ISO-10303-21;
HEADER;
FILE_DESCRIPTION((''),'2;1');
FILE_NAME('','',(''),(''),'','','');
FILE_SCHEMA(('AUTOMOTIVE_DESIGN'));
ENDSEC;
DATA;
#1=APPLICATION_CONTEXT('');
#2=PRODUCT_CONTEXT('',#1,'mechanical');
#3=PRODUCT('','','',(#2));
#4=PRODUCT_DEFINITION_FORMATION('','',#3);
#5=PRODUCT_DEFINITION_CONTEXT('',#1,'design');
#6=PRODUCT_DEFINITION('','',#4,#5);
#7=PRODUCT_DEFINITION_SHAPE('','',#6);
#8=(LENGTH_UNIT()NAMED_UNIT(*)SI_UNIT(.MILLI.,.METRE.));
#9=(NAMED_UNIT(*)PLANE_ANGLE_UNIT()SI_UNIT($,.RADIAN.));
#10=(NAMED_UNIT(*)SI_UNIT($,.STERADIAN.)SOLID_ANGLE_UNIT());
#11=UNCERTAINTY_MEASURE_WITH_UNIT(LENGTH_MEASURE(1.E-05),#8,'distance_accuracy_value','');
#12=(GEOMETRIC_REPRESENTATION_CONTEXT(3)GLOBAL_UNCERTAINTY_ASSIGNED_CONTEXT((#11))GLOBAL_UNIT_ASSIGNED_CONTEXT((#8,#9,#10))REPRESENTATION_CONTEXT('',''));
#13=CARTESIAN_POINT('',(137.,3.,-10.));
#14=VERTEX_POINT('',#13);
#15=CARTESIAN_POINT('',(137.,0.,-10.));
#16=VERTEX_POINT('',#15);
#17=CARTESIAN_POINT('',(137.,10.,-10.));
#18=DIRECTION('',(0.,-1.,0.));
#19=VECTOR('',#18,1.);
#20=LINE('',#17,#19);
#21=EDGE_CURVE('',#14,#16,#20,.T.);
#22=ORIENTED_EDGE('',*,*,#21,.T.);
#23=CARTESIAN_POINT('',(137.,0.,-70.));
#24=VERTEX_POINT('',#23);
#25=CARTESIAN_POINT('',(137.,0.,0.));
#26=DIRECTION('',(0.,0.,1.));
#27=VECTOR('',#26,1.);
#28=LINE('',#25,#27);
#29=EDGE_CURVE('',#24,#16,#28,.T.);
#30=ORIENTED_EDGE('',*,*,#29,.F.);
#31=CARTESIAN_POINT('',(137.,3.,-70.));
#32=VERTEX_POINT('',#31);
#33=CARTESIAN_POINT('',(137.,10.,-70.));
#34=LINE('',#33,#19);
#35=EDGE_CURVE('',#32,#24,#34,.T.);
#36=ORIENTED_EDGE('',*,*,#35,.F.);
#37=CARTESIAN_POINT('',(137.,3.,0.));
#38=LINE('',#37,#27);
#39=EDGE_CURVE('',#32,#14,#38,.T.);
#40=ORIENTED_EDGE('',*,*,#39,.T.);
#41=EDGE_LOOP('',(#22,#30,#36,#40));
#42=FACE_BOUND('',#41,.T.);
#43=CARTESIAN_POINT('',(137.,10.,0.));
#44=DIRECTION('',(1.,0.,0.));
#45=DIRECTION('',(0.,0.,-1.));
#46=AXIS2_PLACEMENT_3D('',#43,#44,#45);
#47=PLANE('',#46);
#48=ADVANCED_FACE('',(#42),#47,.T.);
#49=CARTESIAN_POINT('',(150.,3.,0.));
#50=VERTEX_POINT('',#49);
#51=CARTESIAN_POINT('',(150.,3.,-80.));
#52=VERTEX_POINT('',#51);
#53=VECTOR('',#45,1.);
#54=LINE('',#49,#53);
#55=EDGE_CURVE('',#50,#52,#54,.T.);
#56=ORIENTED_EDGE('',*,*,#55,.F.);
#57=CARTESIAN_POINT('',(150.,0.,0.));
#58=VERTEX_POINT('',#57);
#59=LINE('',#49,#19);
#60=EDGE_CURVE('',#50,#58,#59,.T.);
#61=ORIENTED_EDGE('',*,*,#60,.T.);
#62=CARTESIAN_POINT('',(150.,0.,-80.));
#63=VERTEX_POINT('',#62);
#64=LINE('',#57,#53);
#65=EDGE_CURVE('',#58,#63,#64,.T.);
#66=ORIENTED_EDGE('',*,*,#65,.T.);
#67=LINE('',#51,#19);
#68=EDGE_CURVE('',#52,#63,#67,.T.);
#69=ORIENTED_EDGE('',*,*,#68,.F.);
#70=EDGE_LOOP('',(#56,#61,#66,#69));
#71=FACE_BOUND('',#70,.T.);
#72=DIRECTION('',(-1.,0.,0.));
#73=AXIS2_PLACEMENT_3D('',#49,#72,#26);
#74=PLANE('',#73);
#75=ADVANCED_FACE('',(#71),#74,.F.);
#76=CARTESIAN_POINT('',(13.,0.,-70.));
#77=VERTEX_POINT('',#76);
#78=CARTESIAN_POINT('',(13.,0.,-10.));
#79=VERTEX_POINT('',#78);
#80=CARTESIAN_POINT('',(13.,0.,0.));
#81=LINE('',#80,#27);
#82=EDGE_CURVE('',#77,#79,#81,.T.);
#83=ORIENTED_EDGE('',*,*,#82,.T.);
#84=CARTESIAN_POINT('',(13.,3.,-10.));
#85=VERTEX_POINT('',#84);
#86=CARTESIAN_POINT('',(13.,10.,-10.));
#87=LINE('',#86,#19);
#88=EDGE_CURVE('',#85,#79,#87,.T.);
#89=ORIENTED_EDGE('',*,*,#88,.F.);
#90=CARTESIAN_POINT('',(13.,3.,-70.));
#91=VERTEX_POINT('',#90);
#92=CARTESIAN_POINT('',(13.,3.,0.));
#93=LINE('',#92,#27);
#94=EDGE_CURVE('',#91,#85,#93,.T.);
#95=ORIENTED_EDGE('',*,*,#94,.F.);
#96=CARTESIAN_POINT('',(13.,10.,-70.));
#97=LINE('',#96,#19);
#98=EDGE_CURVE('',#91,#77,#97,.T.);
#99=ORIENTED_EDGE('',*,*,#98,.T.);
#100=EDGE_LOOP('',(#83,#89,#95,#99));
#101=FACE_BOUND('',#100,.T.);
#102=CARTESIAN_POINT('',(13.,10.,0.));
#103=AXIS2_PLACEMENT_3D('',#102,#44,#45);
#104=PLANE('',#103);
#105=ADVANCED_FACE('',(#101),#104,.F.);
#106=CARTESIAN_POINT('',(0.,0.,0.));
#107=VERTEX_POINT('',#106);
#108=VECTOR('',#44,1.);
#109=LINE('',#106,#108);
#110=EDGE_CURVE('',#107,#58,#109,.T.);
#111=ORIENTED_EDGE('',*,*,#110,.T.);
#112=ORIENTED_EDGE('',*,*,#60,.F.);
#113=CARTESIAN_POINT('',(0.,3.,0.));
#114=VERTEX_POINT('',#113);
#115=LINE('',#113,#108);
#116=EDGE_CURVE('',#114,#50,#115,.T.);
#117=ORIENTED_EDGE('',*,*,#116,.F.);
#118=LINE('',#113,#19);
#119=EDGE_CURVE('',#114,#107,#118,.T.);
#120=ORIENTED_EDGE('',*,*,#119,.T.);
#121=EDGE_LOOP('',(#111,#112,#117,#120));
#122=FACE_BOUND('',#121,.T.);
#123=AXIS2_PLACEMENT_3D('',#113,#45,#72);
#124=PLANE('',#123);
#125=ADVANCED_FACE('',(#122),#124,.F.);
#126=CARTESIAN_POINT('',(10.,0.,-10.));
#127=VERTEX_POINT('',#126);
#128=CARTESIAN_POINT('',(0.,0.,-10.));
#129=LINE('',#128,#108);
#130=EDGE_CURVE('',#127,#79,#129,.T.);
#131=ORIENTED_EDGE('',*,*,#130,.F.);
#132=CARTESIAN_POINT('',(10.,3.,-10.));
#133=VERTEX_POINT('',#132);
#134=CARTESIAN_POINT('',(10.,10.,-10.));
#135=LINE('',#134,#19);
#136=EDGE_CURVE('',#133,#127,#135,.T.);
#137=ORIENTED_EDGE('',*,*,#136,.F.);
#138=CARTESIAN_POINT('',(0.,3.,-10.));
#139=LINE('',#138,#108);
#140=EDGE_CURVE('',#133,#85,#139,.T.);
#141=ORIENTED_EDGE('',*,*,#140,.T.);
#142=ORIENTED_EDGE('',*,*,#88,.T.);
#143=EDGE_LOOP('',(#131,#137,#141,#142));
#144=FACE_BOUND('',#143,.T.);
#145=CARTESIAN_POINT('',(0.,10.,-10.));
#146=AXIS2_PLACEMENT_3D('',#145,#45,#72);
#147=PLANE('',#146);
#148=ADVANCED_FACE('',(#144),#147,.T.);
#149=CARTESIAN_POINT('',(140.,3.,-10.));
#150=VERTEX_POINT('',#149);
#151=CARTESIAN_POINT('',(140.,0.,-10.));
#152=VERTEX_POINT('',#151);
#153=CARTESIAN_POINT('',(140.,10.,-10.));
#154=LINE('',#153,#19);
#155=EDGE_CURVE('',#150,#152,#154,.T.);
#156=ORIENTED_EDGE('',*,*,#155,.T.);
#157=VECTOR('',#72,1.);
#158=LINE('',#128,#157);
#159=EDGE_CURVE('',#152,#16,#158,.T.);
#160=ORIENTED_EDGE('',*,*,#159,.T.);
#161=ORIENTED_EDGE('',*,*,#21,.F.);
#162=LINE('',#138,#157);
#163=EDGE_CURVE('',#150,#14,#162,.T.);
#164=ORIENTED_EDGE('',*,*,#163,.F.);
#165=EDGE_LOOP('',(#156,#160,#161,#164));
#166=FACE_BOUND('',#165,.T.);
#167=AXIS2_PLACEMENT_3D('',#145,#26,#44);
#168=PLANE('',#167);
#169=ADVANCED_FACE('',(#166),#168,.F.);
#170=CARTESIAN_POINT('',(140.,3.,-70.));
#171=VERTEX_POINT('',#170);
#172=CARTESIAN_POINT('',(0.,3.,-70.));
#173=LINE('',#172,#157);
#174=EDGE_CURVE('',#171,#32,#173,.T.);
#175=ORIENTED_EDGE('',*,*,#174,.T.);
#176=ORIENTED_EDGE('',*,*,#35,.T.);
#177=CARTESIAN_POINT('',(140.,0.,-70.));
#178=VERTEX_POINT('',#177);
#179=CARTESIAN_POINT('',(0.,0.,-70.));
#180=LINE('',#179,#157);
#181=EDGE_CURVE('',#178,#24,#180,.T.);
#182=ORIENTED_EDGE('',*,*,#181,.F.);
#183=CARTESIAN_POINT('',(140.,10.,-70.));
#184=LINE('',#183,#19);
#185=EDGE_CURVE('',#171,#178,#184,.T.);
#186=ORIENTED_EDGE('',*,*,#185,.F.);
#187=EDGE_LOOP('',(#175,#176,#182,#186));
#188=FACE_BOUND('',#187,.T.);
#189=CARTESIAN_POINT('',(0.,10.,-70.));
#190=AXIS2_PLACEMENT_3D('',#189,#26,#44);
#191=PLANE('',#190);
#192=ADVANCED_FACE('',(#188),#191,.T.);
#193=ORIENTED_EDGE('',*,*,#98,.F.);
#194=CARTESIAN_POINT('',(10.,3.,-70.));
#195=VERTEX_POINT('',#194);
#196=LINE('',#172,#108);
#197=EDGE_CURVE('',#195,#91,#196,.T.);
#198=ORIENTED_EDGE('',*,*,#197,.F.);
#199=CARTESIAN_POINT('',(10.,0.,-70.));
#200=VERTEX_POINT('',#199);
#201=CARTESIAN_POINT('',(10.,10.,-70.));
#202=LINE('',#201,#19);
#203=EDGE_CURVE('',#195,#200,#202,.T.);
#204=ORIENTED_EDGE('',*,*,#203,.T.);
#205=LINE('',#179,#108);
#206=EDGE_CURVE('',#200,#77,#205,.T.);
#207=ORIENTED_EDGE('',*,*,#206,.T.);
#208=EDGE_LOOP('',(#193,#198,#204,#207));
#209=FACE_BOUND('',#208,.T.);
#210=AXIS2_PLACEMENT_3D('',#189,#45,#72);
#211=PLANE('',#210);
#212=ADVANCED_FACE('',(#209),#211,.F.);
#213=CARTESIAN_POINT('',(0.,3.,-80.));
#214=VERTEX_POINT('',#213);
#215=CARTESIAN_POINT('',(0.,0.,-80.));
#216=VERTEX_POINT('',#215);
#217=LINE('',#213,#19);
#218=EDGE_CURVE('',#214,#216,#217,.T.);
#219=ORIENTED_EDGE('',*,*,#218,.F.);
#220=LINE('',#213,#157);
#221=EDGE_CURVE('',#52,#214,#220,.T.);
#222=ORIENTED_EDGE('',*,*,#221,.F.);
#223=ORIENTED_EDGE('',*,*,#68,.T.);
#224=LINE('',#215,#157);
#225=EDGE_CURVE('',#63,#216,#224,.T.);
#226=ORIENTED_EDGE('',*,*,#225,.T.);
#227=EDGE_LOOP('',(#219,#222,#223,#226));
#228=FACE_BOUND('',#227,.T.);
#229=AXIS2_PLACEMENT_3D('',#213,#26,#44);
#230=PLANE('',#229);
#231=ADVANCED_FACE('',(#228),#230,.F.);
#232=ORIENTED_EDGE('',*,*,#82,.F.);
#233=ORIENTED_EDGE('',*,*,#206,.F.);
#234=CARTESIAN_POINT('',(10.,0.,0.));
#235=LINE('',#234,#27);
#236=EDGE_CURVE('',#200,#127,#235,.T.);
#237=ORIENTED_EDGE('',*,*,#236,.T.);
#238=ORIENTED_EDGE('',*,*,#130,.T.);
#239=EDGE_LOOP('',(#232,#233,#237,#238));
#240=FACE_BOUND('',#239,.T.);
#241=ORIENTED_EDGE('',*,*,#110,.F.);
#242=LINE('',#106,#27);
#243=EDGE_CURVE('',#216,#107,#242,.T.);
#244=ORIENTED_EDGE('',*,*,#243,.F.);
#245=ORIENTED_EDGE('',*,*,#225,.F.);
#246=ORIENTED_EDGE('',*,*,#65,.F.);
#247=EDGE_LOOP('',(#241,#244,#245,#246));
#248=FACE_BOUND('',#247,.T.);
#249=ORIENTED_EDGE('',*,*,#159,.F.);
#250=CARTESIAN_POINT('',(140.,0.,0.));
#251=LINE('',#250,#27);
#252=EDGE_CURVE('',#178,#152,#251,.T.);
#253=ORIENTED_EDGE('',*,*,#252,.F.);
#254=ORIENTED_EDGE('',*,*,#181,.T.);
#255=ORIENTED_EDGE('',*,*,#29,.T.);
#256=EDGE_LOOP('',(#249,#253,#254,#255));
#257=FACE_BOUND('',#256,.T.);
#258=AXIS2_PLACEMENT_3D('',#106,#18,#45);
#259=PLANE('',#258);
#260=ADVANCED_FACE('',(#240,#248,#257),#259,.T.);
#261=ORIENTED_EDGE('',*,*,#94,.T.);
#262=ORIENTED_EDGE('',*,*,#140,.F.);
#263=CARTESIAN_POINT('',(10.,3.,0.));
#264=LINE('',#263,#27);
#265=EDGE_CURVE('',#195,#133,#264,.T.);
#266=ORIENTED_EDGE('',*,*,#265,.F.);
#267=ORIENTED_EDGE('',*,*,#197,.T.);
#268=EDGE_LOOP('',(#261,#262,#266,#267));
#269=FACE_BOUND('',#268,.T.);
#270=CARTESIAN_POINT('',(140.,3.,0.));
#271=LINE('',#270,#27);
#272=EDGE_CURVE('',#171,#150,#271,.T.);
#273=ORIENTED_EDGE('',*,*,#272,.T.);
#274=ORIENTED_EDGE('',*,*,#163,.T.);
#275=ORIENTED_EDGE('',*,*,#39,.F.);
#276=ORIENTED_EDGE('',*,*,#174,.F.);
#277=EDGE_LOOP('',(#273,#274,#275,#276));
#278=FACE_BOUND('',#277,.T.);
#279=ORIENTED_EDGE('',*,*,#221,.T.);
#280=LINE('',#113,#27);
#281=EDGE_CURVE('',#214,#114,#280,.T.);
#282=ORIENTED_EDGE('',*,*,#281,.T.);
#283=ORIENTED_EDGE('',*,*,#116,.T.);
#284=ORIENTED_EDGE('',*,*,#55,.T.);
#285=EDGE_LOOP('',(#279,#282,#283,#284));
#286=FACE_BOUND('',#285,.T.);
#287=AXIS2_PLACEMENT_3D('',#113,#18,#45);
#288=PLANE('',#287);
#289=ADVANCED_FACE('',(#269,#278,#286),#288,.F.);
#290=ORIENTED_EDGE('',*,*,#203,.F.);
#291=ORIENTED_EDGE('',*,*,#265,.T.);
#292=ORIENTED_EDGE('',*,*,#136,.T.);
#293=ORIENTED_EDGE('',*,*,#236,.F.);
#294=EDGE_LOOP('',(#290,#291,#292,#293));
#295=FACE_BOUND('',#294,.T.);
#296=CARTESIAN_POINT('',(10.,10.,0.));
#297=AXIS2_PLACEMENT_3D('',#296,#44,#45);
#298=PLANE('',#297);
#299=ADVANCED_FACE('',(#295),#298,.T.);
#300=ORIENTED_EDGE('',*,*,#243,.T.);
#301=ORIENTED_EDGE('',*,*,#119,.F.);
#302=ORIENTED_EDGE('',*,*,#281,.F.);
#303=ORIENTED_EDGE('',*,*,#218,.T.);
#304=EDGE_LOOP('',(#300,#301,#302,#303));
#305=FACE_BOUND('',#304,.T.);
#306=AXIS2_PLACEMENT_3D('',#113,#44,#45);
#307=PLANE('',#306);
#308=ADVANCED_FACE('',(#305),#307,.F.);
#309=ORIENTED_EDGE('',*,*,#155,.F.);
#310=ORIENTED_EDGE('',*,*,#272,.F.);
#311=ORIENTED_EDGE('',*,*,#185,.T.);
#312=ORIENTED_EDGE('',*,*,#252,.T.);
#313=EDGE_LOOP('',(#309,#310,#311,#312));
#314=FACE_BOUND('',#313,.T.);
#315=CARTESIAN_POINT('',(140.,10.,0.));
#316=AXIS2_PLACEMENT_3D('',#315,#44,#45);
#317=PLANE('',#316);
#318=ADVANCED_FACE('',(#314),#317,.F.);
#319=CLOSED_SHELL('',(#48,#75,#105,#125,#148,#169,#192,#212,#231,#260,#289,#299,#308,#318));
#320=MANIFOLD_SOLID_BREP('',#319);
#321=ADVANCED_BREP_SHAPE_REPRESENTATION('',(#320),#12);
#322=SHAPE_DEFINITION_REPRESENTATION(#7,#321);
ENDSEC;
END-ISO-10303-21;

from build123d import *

# Parameters (mm, degrees)
SKETCH1_W           = 150
SKETCH1_H           = 80
BOSS_EXTRUDE1_DEPTH = 3
SKETCH2_W           = 3
SKETCH2_H           = 60
CUT_EXTRUDE1_DEPTH  = 10


with BuildPart() as part:
    # Sketch1 → Boss-Extrude1 (new body)
    with BuildSketch(Plane(origin=(0, 0, 0), x_dir=(1, 0, 0), z_dir=(0, 1, 0))):
        with Locations((75, 40)):
            Rectangle(SKETCH1_W, SKETCH1_H)
    extrude(amount=BOSS_EXTRUDE1_DEPTH)

    # Sketch2 → Cut-Extrude1 (cut)
    with BuildSketch(Plane(origin=(0, 0, 0), x_dir=(1, 0, 0), z_dir=(0, 1, 0))):
        with Locations((11.5, 40)):
            Rectangle(SKETCH2_W, SKETCH2_H)
        with Locations((138.5, 40)):
            Rectangle(SKETCH2_W, SKETCH2_H)
    extrude(amount=CUT_EXTRUDE1_DEPTH, mode=Mode.SUBTRACT)


solid = part.part
